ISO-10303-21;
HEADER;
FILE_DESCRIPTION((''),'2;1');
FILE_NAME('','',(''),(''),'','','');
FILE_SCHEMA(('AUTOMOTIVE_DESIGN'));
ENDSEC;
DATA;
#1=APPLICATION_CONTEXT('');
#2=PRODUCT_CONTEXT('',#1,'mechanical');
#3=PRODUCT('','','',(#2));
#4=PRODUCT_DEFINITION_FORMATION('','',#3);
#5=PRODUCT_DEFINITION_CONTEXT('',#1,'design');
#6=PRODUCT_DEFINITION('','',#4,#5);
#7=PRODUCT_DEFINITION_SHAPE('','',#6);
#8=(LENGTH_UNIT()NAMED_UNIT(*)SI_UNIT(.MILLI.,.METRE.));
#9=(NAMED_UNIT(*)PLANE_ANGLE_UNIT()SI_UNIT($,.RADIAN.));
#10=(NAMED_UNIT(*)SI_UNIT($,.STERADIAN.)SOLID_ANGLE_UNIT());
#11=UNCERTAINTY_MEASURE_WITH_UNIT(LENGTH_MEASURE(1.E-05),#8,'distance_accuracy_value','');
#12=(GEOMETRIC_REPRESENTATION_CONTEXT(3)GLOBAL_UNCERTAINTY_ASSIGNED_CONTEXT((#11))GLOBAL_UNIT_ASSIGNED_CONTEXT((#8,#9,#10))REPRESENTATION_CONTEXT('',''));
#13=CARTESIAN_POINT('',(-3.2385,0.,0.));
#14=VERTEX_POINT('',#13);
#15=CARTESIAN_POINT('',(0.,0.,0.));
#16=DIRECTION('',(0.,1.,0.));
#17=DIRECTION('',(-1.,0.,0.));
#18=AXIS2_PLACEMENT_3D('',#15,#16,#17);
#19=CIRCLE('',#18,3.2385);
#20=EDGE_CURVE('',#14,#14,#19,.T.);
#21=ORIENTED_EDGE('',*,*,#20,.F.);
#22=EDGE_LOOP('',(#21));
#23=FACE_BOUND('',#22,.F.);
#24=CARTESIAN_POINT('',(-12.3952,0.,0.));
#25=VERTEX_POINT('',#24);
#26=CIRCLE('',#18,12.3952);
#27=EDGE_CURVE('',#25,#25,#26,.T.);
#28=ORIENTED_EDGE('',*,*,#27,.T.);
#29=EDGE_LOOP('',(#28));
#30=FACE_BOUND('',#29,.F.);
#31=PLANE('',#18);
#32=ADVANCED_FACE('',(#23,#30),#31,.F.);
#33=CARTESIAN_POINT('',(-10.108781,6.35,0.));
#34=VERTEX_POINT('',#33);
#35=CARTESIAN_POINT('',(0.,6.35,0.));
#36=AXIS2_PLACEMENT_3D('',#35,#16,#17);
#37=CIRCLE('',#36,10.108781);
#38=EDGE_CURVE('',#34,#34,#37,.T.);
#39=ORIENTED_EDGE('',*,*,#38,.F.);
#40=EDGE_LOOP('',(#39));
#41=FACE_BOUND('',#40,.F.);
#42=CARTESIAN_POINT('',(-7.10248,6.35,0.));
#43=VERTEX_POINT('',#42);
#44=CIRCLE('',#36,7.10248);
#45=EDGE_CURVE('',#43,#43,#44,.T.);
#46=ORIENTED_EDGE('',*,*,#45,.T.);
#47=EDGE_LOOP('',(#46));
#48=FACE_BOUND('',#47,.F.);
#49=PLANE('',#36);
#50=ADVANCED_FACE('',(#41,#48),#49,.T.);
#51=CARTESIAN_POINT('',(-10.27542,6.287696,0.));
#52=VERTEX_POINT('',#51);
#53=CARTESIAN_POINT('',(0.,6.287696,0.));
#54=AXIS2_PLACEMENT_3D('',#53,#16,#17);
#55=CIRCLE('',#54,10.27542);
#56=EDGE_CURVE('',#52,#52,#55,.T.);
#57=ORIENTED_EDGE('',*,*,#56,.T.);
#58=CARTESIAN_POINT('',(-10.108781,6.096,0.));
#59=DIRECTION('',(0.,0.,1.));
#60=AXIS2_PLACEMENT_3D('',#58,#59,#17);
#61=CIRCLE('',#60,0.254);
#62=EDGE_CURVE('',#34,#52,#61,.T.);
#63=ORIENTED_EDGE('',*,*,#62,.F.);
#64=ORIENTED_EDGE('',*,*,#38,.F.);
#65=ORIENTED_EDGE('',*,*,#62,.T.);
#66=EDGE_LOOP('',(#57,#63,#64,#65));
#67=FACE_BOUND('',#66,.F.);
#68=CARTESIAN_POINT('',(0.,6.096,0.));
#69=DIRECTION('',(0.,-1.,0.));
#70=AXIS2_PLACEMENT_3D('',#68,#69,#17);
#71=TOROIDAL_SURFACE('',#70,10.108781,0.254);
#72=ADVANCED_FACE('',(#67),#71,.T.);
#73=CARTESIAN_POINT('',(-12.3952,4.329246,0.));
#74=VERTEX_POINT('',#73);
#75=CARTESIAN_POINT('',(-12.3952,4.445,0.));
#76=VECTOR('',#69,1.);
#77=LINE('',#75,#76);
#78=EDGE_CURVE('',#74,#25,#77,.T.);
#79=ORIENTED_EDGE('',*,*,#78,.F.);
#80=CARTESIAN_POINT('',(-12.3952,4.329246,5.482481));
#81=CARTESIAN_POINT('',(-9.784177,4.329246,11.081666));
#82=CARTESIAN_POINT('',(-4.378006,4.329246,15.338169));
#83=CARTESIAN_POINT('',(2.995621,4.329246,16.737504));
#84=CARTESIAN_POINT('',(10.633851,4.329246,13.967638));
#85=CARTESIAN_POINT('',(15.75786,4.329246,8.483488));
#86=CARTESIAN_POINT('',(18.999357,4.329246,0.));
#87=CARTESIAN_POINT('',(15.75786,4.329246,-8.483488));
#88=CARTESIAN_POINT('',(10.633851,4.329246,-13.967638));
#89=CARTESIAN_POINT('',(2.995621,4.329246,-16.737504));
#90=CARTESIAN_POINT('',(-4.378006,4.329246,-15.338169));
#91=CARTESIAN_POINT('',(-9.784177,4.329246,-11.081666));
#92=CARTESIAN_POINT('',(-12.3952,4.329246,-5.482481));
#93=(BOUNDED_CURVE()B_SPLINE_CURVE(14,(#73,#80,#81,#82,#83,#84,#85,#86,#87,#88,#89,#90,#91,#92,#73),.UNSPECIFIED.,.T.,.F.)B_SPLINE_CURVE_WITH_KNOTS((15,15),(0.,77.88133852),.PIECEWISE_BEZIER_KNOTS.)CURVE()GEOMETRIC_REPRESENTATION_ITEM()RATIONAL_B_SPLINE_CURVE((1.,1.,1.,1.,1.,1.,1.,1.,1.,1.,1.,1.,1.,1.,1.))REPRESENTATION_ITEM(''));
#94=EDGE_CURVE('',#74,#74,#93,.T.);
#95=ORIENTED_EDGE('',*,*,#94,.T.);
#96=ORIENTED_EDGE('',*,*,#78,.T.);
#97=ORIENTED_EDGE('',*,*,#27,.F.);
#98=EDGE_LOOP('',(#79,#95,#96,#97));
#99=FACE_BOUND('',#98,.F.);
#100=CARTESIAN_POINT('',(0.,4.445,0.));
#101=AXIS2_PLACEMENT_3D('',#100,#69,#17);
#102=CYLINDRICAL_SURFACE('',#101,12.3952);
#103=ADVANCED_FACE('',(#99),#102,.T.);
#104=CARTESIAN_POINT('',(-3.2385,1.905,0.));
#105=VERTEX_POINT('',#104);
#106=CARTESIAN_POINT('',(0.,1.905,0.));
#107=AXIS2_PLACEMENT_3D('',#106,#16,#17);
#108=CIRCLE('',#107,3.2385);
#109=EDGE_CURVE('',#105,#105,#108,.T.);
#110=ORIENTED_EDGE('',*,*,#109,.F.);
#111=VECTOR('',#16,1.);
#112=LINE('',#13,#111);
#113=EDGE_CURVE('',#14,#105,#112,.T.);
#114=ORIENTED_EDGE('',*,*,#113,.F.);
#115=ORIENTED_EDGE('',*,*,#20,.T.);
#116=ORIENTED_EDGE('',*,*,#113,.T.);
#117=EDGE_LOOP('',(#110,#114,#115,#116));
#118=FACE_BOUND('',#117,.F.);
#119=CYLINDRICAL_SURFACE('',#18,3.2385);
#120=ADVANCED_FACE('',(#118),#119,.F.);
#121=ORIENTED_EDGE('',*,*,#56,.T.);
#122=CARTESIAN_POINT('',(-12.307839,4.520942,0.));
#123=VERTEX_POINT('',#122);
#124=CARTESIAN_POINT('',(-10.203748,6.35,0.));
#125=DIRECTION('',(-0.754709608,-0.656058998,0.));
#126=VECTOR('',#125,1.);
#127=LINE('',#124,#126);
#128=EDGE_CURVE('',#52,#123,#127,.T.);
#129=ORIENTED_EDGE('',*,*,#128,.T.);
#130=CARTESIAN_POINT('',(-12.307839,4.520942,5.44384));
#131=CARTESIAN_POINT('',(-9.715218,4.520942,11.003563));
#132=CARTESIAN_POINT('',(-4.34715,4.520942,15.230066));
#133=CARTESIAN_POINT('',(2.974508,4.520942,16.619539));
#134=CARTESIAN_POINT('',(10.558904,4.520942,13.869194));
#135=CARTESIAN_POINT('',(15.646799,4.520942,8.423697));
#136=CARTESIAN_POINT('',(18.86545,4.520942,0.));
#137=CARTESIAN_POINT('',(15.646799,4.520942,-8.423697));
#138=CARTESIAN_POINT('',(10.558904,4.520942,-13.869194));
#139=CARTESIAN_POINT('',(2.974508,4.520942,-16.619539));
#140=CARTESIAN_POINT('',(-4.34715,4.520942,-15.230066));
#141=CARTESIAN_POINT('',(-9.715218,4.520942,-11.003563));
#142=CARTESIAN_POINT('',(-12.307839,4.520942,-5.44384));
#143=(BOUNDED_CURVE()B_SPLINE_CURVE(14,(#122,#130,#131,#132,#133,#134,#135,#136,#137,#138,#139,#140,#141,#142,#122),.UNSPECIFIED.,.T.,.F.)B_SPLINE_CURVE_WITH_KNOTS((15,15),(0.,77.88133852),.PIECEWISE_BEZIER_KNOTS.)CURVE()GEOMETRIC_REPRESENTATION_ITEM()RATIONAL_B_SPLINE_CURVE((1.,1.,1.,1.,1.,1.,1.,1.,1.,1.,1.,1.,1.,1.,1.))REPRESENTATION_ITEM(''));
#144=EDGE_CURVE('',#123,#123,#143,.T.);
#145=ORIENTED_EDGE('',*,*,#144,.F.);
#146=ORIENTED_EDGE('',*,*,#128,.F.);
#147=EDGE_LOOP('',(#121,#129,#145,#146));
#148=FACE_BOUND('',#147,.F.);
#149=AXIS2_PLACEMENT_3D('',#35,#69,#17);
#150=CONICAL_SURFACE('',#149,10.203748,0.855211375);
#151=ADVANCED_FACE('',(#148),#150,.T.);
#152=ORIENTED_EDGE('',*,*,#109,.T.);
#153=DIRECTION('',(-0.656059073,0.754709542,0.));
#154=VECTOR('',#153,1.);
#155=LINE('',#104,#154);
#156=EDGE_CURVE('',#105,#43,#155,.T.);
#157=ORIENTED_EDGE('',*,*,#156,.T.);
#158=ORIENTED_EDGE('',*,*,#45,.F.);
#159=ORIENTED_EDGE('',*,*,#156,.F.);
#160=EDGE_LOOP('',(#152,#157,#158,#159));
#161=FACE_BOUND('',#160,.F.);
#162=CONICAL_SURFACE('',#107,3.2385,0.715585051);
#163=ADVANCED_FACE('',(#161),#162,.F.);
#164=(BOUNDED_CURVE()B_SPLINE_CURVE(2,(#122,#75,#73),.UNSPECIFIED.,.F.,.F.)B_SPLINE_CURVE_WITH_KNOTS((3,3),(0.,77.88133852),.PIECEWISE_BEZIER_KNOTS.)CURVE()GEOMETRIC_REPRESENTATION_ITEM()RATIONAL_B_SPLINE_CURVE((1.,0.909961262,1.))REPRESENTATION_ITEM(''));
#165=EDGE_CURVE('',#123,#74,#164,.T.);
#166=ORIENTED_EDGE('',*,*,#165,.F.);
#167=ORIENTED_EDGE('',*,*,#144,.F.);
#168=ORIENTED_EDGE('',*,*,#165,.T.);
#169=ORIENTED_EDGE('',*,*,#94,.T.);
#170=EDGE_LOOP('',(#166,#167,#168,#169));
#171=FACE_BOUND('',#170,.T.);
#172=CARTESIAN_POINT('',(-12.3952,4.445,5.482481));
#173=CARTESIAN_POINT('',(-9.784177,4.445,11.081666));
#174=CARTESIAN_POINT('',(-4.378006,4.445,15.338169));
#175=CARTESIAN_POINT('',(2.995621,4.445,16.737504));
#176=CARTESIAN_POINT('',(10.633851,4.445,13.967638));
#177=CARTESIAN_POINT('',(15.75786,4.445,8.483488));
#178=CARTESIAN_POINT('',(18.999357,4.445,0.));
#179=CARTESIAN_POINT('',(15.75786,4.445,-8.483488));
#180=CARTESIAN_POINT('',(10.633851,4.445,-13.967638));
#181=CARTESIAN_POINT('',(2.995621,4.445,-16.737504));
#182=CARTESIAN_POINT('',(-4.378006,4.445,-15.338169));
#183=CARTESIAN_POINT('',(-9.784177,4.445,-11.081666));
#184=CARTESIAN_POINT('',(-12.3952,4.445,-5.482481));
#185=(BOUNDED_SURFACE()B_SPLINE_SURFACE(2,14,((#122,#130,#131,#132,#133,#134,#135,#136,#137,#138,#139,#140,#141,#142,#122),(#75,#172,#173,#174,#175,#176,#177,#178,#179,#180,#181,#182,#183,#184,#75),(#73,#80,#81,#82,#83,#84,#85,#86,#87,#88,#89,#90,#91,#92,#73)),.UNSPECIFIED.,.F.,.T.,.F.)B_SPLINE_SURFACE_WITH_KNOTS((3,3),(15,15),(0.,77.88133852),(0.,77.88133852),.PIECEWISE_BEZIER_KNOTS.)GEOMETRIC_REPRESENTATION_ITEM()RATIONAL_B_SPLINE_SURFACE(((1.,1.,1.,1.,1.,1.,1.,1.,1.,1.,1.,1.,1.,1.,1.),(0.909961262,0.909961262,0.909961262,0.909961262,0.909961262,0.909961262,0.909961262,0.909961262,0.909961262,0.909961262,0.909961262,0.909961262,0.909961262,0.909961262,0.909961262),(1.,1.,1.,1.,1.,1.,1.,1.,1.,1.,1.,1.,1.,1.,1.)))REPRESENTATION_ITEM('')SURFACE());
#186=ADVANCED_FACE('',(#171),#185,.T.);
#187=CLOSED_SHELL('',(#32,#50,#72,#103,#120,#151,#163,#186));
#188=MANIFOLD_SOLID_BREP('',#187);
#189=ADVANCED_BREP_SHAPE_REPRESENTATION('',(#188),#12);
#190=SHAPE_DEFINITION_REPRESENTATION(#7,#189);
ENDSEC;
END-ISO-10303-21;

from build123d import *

# Parameters (mm, degrees)
F2_R = 0.254


with BuildPart() as f1:
    # F0 (on Top) → F1 (revolve)
    with BuildSketch(Plane.XY):
        Polygon((-12.3952, 0), (-3.2385, 0), (-3.2385, 1.905), (-7.10248, 6.35), (-10.203748, 6.35), (-12.3952, 4.445), align=None)
    revolve(axis=Axis((0, 4.669294, 0), (0, 1, 0)))

    # F2
    f2_edges = [f1.edges().sort_by_distance(p)[0] for p in [
        (12.3952, 4.445, 0),
        (10.203748, 6.35, 0),
    ]]
    fillet(f2_edges, radius=F2_R)


solid = f1.part
